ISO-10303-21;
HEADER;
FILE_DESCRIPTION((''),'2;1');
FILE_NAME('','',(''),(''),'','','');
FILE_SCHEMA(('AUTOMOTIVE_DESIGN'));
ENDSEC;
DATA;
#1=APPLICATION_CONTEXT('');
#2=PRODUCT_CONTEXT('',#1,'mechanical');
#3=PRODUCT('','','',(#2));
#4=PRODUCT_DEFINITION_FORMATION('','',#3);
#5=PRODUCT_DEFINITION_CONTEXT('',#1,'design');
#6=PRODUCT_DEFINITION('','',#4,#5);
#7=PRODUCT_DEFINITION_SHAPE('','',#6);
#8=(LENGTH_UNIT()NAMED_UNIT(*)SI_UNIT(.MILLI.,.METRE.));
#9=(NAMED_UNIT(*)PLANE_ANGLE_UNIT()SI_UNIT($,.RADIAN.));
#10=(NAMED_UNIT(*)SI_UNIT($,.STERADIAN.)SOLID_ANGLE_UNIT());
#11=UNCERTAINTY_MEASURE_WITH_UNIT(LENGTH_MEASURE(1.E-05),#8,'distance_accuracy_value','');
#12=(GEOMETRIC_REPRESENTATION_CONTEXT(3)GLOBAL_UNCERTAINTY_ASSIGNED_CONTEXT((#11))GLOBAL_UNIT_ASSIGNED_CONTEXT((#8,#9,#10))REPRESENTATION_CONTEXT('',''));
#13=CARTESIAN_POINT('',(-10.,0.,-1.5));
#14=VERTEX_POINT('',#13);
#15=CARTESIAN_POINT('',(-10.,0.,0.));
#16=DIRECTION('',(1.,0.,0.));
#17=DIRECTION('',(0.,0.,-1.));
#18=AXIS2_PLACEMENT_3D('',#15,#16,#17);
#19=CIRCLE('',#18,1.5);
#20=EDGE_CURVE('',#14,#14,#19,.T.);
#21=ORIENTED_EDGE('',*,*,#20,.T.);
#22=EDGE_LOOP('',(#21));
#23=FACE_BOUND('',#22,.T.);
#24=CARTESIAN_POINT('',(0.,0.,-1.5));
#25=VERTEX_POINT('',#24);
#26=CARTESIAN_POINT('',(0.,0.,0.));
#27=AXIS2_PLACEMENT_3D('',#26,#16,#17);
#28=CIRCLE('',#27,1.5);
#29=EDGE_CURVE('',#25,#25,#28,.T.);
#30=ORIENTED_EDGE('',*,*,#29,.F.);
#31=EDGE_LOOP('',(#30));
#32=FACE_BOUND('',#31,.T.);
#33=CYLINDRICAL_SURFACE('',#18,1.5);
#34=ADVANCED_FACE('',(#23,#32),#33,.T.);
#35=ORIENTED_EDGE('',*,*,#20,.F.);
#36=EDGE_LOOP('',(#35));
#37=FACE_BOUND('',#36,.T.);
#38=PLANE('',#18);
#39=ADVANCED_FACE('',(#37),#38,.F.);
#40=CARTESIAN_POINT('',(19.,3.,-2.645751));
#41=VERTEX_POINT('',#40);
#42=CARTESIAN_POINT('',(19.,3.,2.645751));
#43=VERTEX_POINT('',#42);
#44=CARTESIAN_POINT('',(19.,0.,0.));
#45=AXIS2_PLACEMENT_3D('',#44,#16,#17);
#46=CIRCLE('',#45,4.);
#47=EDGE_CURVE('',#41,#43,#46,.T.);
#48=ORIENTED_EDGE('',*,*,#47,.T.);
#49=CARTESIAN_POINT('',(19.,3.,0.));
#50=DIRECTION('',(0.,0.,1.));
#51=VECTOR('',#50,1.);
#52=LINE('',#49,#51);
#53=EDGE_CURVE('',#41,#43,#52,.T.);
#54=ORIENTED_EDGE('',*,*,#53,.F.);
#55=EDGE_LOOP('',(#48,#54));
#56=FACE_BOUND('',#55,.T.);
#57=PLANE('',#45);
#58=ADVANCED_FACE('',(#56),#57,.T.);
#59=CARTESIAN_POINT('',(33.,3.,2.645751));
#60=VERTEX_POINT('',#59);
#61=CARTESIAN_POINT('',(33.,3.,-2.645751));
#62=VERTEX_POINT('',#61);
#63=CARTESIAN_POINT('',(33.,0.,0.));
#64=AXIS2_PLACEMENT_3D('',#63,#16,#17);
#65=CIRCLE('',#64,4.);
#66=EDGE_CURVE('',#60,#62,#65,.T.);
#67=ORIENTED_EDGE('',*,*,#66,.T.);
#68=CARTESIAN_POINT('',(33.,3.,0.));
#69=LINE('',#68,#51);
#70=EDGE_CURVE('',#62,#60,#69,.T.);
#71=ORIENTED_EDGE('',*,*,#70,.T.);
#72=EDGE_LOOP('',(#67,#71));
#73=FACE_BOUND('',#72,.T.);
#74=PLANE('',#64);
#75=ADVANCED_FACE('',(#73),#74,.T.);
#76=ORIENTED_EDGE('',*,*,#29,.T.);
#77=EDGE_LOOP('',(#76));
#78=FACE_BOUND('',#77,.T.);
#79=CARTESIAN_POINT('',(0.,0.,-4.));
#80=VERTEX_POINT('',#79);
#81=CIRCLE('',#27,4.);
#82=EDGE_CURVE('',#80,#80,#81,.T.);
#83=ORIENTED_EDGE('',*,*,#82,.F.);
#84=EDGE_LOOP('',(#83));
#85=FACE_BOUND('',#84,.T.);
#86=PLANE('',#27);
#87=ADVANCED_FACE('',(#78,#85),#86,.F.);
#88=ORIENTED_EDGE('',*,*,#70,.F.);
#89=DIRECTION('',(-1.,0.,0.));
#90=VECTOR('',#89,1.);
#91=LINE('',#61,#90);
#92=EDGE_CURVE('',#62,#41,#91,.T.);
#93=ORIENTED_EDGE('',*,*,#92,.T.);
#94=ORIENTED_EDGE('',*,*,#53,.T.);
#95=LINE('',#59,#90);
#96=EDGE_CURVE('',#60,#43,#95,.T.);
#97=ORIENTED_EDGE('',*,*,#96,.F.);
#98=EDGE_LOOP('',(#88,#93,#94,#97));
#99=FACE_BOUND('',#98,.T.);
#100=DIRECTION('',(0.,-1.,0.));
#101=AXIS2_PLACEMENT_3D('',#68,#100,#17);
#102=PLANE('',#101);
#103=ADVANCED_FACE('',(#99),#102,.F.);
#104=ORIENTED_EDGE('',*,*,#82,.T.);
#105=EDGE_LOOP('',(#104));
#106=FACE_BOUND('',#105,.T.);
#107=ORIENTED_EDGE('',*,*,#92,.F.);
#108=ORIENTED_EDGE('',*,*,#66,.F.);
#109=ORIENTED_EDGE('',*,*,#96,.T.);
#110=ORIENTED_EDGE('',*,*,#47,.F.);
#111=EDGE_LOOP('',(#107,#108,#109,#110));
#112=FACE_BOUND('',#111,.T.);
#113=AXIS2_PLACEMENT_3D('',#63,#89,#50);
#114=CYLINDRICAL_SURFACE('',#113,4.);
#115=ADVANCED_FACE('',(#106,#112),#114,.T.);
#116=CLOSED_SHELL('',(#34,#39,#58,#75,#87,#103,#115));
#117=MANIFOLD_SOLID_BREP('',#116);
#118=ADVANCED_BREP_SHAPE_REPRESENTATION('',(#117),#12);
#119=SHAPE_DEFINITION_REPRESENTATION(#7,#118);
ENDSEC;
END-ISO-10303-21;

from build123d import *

# Parameters (mm, degrees)
SKETCH1_R           = 1.5
BOSS_EXTRUDE1_DEPTH = 10
BOSS_EXTRUDE2_DEPTH = 33
BOSS_EXTRUDE3_DEPTH = 19


with BuildPart() as part:
    # Sketch1 → Boss-Extrude1 (new body)
    with BuildSketch(Plane(origin=(0, 0, 0), x_dir=(0, 0, -1), z_dir=(1, 0, 0))):
        Circle(SKETCH1_R)
    extrude(amount=-BOSS_EXTRUDE1_DEPTH)

    # Sketch1<3> → Boss-Extrude2 (add)
    with BuildSketch(Plane(origin=(0, 0, 0), x_dir=(0, 0, -1), z_dir=(1, 0, 0))):
        with BuildLine():
            Line((2.645751311, 3), (-2.645751311, 3))
            ThreePointArc((-2.645751311, 3), (0, -4), (2.645751311, 3))
        make_face()
    extrude(amount=BOSS_EXTRUDE2_DEPTH)

    # Sketch1<4> → Boss-Extrude3 (add)
    with BuildSketch(Plane(origin=(0, 0, 0), x_dir=(0, 0, -1), z_dir=(1, 0, 0))):
        with BuildLine():
            Line((-2.645751311, 3), (2.645751311, 3))
            ThreePointArc((2.645751311, 3), (0, 4), (-2.645751311, 3))
        make_face()
    extrude(amount=BOSS_EXTRUDE3_DEPTH)


solid = part.part
